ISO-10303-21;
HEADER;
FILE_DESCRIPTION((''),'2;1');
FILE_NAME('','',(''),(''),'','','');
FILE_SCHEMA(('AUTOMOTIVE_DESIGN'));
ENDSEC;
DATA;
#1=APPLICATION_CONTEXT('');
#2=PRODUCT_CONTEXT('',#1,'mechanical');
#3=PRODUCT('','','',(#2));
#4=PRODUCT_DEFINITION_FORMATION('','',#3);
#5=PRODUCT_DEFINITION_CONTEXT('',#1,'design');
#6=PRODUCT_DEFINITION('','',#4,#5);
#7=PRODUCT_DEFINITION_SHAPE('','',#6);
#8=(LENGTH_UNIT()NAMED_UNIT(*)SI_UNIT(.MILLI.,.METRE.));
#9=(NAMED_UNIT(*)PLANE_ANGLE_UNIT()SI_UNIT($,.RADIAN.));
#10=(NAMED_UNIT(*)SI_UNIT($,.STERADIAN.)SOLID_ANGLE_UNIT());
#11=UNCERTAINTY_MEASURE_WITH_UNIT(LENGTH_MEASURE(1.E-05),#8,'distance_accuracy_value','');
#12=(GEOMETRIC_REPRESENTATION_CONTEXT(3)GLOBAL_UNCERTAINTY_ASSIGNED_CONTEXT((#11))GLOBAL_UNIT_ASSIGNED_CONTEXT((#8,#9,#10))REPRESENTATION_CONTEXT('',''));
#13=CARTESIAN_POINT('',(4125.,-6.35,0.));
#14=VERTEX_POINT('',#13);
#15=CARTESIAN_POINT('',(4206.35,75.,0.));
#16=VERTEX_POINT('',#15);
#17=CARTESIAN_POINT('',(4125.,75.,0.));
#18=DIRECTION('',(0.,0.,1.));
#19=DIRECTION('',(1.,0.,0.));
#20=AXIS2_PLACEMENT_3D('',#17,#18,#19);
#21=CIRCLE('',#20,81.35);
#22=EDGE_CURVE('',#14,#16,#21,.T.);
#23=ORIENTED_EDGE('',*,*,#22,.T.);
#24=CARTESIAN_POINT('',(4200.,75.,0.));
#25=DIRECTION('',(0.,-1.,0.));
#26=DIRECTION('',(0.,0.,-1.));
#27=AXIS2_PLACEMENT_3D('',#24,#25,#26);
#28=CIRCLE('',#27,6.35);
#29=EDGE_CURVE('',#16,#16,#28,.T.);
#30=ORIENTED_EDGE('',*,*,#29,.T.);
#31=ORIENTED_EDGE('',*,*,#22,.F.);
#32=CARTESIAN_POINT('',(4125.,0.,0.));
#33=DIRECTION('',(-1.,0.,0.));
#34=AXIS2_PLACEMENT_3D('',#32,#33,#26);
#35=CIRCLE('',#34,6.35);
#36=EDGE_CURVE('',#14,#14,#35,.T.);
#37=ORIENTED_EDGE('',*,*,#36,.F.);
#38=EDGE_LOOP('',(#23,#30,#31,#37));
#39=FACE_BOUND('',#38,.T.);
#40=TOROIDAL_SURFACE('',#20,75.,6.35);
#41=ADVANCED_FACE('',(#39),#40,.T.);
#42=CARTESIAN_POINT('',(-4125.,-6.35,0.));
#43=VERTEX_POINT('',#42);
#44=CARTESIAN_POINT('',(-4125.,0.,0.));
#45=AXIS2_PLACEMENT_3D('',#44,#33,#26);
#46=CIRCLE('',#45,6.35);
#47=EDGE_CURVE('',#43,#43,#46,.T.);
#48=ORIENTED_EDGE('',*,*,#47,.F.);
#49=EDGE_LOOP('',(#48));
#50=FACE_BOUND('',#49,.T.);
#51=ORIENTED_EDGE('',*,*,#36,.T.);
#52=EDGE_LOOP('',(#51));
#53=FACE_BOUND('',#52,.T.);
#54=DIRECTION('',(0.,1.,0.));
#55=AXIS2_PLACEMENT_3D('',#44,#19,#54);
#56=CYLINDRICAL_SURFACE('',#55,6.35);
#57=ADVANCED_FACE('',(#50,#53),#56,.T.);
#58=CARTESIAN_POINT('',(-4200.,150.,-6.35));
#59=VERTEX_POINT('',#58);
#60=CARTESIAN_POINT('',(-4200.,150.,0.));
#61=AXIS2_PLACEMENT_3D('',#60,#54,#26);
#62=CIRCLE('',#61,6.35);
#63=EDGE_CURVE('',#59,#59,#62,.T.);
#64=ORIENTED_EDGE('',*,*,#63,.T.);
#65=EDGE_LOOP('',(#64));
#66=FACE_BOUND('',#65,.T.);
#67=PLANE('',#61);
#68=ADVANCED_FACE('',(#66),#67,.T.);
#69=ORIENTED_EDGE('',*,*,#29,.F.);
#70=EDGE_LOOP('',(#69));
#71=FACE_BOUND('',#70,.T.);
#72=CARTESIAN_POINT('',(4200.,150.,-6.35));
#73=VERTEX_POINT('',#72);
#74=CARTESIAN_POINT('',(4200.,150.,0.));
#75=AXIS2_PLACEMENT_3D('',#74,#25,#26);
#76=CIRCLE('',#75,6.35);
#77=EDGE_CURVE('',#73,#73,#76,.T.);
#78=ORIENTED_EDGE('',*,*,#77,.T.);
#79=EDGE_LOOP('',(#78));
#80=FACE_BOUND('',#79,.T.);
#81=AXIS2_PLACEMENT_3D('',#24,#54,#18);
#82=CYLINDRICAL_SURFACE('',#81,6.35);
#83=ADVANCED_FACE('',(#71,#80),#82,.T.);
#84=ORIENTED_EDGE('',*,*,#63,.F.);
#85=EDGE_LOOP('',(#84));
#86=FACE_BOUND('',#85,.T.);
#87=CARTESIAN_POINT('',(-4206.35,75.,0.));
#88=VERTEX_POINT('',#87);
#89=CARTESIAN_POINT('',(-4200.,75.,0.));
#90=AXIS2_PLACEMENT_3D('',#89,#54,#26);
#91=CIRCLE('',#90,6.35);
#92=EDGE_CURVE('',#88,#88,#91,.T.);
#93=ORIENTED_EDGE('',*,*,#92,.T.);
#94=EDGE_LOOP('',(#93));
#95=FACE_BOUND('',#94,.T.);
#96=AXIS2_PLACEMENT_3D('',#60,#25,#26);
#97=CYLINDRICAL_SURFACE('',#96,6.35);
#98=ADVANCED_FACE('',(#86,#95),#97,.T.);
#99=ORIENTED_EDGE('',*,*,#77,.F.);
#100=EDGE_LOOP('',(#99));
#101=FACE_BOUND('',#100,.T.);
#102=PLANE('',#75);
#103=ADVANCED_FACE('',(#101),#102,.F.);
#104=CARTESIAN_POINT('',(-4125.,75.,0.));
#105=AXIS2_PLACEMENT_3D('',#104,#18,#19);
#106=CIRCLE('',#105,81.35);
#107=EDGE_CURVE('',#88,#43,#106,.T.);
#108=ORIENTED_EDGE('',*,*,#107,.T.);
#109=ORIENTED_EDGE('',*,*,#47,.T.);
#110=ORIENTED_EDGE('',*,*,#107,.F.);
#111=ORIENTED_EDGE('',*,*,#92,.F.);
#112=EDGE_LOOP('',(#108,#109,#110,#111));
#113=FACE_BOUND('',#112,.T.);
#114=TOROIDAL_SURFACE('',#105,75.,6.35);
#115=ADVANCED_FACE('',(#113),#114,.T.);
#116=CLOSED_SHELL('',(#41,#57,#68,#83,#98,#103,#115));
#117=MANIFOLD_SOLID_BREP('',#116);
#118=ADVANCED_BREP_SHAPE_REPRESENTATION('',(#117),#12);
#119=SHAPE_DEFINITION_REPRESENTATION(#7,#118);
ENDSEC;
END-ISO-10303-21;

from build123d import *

# Parameters (mm, degrees)
SWEEP1_PROFILE_R = 6.35


with BuildPart() as part:
    # Sweep1: sweep along a path in Sketch1
    with BuildLine(Plane.XY) as sweep1_path:
        Line((-4200, 150), (-4200, 75))
        ThreePointArc((-4200, 75), (-4178.033008589, 21.966991411), (-4125, 0))
        Line((-4125, 0), (4125, 0))
        ThreePointArc((4125, 0), (4178.033008589, 21.966991411), (4200, 75))
        Line((4200, 75), (4200, 150))
    # Sweep1 profile (on start of the path) → Sweep1 (sweep)
    with BuildSketch(Plane(origin=(-4200, 150, 0), x_dir=(0, 0, -1), z_dir=(0, -1, 0))):
        Circle(SWEEP1_PROFILE_R)
    sweep(path=sweep1_path.line)


solid = part.part
